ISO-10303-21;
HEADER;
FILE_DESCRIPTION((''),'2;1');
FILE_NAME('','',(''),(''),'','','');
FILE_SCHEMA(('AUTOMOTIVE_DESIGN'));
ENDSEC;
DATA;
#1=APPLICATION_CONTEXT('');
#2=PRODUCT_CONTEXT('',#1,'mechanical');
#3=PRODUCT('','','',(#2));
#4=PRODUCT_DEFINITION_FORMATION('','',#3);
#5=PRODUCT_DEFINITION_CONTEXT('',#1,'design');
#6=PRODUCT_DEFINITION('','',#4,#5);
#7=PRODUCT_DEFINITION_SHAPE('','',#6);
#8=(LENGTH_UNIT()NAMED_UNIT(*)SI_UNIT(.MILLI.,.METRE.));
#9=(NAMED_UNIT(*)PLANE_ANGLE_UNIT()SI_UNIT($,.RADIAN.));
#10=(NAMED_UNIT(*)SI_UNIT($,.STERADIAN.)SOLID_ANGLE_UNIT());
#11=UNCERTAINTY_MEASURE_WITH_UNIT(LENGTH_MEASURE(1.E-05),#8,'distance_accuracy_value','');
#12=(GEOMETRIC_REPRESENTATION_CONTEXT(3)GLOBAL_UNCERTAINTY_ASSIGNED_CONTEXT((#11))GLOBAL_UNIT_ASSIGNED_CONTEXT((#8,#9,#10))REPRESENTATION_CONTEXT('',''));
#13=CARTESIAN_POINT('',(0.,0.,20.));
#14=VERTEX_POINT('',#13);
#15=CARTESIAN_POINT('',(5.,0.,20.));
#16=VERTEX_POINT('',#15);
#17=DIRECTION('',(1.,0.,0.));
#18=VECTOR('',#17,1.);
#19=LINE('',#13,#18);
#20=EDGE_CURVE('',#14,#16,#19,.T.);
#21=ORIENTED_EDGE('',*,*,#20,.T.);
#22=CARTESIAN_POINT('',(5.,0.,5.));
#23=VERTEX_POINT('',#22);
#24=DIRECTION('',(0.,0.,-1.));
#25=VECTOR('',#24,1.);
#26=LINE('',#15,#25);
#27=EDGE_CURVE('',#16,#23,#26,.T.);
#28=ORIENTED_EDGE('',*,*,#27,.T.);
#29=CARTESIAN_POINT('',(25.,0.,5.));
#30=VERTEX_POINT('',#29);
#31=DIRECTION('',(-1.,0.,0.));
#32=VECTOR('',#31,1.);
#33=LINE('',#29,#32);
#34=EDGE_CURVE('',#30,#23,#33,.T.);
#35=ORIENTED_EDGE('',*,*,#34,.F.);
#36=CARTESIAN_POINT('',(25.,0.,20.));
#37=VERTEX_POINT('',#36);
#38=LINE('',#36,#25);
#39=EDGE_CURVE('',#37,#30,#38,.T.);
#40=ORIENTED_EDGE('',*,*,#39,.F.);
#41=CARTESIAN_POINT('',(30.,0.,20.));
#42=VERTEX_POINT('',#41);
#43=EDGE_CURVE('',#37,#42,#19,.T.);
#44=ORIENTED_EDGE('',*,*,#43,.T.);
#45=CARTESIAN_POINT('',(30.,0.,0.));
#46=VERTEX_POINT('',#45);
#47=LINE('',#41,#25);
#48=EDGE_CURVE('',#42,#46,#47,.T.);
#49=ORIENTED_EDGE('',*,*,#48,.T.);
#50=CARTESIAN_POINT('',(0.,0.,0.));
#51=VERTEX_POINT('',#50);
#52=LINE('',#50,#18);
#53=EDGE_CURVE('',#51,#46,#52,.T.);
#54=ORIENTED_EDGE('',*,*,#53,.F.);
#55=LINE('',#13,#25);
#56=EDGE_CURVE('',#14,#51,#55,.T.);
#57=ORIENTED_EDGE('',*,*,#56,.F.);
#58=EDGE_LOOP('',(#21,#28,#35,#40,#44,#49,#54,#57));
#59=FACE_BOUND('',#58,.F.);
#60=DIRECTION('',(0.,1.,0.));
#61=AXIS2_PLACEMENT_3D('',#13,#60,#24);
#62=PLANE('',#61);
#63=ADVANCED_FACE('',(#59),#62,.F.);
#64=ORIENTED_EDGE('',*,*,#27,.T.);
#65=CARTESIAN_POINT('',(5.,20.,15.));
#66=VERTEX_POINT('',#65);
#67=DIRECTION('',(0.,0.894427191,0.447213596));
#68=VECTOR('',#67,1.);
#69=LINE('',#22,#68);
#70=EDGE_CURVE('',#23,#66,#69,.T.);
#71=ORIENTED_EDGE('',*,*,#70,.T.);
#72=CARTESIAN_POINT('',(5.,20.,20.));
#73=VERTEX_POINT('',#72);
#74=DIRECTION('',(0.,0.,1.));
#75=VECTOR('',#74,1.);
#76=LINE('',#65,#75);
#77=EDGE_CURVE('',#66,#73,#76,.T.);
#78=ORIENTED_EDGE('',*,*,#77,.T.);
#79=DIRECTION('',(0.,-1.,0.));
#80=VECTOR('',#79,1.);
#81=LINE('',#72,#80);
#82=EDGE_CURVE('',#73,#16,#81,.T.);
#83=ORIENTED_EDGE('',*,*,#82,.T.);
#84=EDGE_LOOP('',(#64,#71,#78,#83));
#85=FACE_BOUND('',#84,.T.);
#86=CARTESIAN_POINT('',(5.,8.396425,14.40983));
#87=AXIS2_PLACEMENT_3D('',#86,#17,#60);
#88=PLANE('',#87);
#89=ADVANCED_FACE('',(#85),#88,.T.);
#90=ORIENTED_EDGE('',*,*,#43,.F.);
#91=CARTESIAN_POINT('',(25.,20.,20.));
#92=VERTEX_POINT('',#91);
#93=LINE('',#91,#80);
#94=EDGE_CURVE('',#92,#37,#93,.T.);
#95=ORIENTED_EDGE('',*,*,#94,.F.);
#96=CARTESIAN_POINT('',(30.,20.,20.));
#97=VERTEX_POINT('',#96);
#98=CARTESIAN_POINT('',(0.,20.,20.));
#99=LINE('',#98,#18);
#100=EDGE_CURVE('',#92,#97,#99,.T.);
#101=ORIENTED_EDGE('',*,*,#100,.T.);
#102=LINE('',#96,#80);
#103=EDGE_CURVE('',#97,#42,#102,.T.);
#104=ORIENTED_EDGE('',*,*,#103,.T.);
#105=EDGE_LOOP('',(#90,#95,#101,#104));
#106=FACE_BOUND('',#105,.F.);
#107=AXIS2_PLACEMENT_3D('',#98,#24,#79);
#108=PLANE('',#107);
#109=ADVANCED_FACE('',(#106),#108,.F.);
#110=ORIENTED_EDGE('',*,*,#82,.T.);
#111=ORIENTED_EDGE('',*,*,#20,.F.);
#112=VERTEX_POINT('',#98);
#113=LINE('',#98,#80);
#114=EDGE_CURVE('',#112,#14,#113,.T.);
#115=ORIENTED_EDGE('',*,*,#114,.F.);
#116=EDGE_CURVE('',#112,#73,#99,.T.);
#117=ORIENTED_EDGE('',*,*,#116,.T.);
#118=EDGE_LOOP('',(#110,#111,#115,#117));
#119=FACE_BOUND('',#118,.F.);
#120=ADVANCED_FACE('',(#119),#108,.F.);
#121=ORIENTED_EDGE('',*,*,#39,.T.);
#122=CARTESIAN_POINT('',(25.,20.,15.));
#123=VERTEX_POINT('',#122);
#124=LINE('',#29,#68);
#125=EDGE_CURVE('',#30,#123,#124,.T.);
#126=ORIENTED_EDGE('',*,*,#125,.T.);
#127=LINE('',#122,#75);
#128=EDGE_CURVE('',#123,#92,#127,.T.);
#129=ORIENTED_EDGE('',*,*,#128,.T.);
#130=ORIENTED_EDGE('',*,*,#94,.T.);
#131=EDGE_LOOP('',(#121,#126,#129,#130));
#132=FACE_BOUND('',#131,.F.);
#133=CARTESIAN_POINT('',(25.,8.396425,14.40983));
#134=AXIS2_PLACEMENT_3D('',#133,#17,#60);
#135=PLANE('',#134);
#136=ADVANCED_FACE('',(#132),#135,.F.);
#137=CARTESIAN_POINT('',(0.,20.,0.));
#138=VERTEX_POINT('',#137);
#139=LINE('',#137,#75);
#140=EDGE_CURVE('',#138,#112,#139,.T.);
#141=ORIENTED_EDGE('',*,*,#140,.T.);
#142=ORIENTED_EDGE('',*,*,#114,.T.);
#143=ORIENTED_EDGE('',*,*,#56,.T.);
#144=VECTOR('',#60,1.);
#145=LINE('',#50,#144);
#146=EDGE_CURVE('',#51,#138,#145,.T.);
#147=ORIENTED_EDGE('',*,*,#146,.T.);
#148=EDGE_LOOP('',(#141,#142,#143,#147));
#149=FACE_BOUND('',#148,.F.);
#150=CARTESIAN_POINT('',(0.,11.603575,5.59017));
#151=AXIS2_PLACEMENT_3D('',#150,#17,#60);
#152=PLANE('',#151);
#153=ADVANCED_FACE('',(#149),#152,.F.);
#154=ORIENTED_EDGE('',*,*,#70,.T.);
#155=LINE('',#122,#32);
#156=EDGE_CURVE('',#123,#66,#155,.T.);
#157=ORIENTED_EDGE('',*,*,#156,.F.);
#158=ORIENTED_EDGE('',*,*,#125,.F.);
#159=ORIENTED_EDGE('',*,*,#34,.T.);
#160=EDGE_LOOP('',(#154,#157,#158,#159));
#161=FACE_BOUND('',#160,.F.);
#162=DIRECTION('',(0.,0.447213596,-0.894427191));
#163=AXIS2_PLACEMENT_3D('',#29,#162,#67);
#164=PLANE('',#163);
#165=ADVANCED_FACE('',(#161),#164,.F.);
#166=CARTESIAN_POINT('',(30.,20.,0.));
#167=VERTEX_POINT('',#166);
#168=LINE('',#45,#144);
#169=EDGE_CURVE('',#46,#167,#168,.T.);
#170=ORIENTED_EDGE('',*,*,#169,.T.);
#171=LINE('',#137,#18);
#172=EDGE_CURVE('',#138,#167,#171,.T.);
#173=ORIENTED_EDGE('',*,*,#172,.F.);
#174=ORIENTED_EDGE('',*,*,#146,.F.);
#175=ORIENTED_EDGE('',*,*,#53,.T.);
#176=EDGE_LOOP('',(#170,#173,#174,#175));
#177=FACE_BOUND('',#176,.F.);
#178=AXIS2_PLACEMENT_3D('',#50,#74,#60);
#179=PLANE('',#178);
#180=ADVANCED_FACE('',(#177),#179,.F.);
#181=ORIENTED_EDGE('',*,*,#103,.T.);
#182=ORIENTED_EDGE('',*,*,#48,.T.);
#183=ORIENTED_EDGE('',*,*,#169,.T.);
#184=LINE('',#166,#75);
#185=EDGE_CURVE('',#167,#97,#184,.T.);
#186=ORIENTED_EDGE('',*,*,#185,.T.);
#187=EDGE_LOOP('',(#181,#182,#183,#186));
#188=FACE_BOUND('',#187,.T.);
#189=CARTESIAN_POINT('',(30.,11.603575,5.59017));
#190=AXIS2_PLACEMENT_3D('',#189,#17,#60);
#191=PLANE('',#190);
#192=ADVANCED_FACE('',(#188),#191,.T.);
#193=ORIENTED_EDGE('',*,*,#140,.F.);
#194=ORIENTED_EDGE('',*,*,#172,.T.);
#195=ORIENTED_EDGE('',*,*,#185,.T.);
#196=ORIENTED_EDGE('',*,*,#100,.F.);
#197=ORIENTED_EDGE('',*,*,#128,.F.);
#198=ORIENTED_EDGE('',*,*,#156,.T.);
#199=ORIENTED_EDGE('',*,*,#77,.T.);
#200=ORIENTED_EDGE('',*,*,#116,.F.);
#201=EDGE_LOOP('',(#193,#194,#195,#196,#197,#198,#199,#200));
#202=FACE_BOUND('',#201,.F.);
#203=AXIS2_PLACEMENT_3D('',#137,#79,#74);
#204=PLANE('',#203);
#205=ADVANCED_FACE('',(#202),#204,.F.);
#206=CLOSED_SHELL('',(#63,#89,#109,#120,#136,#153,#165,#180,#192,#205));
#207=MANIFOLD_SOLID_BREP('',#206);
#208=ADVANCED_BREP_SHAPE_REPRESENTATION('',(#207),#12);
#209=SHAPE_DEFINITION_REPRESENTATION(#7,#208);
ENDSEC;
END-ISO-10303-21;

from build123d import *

# Parameters (mm, degrees)
F1_DEPTH = 30
F3_START = -5
F3_DEPTH = 20


with BuildPart() as f1:
    # F0 (on Right) → F1 (new body)
    with BuildSketch(Plane.YZ):
        Polygon((0, 5), (0, 0), (20, 0), (20, 15), align=None)
        Polygon((0, 20), (0, 5), (20, 15), (20, 20), align=None)
    extrude(amount=F1_DEPTH)

    # F2 (on face) → F3 (cut)
    with BuildSketch(Plane.YZ.offset(30).offset(F3_START)):
        Polygon((0, 5), (20, 15), (20, 20), (0, 20), align=None)
    extrude(amount=-F3_DEPTH, mode=Mode.SUBTRACT)


solid = f1.part
